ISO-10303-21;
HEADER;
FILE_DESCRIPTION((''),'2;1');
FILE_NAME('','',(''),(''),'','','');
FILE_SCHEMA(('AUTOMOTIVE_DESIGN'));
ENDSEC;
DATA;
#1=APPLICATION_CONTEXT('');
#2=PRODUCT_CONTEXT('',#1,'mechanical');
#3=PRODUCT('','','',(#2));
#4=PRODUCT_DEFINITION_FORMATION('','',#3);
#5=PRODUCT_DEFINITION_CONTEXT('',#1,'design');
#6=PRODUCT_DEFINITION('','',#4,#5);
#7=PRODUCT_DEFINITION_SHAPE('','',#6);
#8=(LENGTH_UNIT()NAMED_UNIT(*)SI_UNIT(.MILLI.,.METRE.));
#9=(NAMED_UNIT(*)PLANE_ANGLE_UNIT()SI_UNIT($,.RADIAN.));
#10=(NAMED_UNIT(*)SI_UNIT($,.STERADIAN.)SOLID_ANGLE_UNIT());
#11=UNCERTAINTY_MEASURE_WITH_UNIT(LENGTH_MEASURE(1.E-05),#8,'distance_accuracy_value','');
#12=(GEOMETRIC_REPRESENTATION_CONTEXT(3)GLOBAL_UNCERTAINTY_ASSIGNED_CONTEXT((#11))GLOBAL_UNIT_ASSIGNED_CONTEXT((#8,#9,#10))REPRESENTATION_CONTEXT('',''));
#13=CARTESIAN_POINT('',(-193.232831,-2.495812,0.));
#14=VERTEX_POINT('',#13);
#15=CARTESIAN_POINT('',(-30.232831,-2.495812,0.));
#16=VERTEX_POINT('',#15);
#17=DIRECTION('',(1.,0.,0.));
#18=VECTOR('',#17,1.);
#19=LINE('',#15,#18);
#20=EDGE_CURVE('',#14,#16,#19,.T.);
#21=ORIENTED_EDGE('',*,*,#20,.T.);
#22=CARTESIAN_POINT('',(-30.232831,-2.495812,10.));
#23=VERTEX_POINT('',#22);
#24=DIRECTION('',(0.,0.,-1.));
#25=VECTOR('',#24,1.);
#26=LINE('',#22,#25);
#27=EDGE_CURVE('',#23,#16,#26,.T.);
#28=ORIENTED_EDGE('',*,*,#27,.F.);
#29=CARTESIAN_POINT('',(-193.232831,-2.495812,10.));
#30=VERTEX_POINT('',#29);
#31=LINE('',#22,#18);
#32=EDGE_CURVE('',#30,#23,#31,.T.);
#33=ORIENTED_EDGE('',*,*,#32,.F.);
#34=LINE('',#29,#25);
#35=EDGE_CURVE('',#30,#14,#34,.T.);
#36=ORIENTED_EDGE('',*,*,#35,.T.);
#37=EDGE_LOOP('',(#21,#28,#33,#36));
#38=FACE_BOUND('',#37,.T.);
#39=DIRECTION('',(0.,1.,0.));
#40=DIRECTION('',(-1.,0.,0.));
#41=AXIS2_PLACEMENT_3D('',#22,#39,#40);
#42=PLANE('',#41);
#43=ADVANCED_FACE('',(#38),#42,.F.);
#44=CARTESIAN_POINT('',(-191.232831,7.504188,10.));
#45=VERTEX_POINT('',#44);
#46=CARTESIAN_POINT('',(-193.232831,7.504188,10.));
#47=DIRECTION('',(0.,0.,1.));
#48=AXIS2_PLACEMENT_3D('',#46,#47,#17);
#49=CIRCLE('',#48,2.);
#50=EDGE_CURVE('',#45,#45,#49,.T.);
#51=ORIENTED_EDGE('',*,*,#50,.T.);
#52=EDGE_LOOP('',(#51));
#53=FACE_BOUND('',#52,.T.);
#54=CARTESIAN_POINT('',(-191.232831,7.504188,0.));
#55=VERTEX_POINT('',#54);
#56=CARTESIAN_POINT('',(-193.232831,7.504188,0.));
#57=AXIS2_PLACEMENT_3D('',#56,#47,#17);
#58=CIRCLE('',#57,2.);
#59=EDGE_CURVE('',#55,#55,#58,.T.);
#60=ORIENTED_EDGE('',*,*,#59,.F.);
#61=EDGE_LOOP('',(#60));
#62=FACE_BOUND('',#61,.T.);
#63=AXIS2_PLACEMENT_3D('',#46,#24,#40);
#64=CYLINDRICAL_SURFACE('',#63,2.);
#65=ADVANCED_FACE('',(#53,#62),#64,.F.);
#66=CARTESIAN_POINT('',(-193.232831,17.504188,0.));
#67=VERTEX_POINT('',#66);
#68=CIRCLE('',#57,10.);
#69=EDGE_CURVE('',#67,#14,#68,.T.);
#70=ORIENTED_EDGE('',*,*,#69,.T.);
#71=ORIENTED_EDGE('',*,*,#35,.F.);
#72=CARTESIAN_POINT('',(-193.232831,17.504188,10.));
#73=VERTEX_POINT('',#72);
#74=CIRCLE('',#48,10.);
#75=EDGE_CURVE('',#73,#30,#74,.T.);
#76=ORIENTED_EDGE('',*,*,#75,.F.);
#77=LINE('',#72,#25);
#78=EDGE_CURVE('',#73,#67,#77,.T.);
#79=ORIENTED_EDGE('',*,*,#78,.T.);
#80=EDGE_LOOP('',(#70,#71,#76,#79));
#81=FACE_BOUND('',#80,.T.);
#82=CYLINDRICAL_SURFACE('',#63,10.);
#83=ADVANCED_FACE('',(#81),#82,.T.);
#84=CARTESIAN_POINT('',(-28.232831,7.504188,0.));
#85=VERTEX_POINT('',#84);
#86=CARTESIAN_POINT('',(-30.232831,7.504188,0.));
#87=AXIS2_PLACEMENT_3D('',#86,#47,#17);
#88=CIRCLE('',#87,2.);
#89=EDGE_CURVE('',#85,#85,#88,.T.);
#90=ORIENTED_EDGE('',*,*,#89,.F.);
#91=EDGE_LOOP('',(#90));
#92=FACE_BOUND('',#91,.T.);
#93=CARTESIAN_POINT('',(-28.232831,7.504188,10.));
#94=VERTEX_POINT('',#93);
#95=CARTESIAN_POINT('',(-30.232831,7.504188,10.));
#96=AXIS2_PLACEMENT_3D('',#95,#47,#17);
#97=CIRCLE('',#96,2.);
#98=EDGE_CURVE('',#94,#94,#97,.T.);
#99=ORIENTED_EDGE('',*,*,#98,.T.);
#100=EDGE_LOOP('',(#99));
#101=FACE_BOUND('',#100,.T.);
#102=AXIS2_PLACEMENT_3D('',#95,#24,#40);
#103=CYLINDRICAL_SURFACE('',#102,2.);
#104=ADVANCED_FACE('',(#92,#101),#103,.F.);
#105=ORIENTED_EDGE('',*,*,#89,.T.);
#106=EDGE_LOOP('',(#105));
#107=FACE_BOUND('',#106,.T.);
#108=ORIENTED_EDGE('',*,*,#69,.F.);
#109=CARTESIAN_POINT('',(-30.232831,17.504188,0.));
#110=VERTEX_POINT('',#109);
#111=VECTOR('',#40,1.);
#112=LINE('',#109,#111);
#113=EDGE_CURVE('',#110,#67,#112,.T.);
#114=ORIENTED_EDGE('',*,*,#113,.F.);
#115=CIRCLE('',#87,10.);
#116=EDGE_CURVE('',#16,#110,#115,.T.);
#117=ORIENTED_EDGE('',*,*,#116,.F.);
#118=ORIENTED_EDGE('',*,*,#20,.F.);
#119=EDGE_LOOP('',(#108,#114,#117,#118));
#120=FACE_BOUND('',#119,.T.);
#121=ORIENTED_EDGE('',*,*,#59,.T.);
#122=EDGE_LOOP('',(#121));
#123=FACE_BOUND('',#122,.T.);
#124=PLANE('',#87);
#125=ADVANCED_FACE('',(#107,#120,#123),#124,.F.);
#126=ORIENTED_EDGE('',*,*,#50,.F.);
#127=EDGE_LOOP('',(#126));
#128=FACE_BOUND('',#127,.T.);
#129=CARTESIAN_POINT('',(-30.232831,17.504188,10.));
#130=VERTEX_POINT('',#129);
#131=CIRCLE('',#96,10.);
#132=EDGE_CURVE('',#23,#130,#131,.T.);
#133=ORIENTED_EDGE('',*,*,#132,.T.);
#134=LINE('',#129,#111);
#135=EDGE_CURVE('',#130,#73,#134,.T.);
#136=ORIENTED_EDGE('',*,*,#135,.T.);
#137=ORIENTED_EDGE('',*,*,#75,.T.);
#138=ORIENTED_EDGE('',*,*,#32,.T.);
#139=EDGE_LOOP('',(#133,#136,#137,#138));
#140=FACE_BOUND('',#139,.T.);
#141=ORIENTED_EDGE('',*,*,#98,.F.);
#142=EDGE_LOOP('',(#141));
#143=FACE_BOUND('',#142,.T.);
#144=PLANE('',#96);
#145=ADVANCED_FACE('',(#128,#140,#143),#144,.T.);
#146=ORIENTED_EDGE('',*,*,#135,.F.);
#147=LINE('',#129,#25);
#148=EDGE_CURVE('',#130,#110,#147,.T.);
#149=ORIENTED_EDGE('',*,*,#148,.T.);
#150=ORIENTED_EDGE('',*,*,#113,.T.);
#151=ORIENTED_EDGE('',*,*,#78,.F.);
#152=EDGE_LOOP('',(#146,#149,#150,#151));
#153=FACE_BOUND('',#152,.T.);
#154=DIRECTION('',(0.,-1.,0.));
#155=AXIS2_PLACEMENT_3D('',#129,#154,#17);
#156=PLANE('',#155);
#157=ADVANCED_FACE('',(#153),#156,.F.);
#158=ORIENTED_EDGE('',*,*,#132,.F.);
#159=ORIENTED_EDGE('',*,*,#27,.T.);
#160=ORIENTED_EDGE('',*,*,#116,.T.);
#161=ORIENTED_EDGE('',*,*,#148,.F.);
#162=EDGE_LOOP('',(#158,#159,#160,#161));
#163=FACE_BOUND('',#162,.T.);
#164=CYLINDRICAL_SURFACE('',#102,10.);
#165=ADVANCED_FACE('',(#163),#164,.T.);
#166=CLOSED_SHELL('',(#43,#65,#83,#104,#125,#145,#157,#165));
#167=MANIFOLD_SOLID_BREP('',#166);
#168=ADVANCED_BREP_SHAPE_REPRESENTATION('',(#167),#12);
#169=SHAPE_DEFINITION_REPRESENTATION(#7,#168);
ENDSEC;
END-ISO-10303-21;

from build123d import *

# Parameters (mm, degrees)
SKETCH1_R           = 2
BOSS_EXTRUDE1_DEPTH = 10


with BuildPart() as part:
    # Sketch1 → Boss-Extrude1 (new body)
    with BuildSketch(Plane.XY):
        with BuildLine():
            Line((-30.232830821, -2.495812395), (-193.232830821, -2.495812395))
            ThreePointArc((-193.232830821, -2.495812395), (-203.232830821, 7.504187605), (-193.232830821, 17.504187605))
            Line((-193.232830821, 17.504187605), (-30.232830821, 17.504187605))
            ThreePointArc((-30.232830821, 17.504187605), (-20.232830821, 7.504187605), (-30.232830821, -2.495812395))
        make_face()
        with Locations((-193.232830821, 7.504187605)):
            Circle(SKETCH1_R, mode=Mode.SUBTRACT)
        with Locations((-30.232830821, 7.504187605)):
            Circle(SKETCH1_R, mode=Mode.SUBTRACT)
    extrude(amount=BOSS_EXTRUDE1_DEPTH)


solid = part.part
